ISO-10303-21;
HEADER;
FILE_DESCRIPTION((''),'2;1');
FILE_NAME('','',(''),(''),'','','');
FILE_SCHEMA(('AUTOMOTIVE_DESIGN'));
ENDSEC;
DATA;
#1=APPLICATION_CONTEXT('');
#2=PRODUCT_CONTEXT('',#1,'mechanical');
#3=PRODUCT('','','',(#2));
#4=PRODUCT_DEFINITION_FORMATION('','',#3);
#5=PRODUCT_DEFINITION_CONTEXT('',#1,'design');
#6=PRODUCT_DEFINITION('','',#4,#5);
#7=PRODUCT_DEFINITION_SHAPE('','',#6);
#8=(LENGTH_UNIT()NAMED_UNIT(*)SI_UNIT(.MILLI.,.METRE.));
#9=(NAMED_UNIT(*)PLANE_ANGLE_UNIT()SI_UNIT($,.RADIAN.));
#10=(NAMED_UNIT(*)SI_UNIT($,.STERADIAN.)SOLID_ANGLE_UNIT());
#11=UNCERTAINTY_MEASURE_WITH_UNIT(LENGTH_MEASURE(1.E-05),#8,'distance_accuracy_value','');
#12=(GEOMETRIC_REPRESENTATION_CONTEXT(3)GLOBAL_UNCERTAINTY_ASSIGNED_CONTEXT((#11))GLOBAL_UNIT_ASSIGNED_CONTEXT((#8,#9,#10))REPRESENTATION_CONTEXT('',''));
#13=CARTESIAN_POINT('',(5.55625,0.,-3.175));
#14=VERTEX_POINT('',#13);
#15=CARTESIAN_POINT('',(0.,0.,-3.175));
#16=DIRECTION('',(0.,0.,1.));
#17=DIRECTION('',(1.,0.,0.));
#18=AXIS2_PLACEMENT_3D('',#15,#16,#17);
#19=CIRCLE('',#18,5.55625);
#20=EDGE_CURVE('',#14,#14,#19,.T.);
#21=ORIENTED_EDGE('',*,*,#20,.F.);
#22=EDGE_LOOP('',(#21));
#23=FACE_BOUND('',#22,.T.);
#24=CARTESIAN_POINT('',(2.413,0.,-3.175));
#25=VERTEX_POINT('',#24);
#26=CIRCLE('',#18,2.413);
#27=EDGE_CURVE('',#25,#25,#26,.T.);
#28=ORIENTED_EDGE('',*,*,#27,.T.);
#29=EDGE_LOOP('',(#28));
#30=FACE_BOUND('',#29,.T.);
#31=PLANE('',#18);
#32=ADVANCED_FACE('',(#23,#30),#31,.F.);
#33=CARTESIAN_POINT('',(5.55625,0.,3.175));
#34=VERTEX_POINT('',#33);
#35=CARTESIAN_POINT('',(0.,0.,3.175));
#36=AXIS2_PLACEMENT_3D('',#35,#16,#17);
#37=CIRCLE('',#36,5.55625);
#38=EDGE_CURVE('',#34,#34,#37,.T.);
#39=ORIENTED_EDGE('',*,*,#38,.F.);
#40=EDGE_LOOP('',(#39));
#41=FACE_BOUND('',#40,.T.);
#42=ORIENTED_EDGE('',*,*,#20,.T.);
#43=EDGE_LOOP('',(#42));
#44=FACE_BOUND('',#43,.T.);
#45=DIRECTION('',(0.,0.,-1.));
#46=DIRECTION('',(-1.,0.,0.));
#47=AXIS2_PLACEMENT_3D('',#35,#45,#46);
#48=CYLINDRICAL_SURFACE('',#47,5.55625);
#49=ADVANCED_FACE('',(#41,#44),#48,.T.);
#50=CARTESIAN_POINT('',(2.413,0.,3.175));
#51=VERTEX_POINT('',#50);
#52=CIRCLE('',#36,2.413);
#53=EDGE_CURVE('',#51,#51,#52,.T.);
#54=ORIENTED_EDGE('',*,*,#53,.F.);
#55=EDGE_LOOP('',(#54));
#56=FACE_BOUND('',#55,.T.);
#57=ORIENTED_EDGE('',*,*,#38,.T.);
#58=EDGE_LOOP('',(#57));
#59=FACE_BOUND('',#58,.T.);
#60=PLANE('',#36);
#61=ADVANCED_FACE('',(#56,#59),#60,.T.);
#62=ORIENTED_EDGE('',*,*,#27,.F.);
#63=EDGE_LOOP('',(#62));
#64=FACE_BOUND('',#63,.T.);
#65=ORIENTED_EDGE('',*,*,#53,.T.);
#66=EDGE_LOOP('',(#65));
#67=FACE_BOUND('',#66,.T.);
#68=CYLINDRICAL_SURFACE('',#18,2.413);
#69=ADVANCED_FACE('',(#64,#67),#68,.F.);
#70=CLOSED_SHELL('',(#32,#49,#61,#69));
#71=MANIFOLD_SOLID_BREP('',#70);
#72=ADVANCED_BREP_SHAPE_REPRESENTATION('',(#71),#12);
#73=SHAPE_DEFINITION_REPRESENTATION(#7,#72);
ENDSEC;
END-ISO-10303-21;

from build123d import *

# Parameters (mm, degrees)
SKETCH1_R      = 5.55625
EXTRUDE1_DEPTH = 3.175
SKETCH2_R      = 2.413
EXTRUDE2_DEPTH = 7.35


with BuildPart() as part:
    # Sketch1 → Extrude1 (new body, symmetric)
    with BuildSketch(Plane.XY):
        Circle(SKETCH1_R)
    extrude(amount=EXTRUDE1_DEPTH, both=True)

    # Sketch2 → Extrude2 (cut, through all)
    with BuildSketch(Plane.XY.offset(3.175)):
        Circle(SKETCH2_R)
    extrude(amount=-EXTRUDE2_DEPTH, mode=Mode.SUBTRACT)


solid = part.part
